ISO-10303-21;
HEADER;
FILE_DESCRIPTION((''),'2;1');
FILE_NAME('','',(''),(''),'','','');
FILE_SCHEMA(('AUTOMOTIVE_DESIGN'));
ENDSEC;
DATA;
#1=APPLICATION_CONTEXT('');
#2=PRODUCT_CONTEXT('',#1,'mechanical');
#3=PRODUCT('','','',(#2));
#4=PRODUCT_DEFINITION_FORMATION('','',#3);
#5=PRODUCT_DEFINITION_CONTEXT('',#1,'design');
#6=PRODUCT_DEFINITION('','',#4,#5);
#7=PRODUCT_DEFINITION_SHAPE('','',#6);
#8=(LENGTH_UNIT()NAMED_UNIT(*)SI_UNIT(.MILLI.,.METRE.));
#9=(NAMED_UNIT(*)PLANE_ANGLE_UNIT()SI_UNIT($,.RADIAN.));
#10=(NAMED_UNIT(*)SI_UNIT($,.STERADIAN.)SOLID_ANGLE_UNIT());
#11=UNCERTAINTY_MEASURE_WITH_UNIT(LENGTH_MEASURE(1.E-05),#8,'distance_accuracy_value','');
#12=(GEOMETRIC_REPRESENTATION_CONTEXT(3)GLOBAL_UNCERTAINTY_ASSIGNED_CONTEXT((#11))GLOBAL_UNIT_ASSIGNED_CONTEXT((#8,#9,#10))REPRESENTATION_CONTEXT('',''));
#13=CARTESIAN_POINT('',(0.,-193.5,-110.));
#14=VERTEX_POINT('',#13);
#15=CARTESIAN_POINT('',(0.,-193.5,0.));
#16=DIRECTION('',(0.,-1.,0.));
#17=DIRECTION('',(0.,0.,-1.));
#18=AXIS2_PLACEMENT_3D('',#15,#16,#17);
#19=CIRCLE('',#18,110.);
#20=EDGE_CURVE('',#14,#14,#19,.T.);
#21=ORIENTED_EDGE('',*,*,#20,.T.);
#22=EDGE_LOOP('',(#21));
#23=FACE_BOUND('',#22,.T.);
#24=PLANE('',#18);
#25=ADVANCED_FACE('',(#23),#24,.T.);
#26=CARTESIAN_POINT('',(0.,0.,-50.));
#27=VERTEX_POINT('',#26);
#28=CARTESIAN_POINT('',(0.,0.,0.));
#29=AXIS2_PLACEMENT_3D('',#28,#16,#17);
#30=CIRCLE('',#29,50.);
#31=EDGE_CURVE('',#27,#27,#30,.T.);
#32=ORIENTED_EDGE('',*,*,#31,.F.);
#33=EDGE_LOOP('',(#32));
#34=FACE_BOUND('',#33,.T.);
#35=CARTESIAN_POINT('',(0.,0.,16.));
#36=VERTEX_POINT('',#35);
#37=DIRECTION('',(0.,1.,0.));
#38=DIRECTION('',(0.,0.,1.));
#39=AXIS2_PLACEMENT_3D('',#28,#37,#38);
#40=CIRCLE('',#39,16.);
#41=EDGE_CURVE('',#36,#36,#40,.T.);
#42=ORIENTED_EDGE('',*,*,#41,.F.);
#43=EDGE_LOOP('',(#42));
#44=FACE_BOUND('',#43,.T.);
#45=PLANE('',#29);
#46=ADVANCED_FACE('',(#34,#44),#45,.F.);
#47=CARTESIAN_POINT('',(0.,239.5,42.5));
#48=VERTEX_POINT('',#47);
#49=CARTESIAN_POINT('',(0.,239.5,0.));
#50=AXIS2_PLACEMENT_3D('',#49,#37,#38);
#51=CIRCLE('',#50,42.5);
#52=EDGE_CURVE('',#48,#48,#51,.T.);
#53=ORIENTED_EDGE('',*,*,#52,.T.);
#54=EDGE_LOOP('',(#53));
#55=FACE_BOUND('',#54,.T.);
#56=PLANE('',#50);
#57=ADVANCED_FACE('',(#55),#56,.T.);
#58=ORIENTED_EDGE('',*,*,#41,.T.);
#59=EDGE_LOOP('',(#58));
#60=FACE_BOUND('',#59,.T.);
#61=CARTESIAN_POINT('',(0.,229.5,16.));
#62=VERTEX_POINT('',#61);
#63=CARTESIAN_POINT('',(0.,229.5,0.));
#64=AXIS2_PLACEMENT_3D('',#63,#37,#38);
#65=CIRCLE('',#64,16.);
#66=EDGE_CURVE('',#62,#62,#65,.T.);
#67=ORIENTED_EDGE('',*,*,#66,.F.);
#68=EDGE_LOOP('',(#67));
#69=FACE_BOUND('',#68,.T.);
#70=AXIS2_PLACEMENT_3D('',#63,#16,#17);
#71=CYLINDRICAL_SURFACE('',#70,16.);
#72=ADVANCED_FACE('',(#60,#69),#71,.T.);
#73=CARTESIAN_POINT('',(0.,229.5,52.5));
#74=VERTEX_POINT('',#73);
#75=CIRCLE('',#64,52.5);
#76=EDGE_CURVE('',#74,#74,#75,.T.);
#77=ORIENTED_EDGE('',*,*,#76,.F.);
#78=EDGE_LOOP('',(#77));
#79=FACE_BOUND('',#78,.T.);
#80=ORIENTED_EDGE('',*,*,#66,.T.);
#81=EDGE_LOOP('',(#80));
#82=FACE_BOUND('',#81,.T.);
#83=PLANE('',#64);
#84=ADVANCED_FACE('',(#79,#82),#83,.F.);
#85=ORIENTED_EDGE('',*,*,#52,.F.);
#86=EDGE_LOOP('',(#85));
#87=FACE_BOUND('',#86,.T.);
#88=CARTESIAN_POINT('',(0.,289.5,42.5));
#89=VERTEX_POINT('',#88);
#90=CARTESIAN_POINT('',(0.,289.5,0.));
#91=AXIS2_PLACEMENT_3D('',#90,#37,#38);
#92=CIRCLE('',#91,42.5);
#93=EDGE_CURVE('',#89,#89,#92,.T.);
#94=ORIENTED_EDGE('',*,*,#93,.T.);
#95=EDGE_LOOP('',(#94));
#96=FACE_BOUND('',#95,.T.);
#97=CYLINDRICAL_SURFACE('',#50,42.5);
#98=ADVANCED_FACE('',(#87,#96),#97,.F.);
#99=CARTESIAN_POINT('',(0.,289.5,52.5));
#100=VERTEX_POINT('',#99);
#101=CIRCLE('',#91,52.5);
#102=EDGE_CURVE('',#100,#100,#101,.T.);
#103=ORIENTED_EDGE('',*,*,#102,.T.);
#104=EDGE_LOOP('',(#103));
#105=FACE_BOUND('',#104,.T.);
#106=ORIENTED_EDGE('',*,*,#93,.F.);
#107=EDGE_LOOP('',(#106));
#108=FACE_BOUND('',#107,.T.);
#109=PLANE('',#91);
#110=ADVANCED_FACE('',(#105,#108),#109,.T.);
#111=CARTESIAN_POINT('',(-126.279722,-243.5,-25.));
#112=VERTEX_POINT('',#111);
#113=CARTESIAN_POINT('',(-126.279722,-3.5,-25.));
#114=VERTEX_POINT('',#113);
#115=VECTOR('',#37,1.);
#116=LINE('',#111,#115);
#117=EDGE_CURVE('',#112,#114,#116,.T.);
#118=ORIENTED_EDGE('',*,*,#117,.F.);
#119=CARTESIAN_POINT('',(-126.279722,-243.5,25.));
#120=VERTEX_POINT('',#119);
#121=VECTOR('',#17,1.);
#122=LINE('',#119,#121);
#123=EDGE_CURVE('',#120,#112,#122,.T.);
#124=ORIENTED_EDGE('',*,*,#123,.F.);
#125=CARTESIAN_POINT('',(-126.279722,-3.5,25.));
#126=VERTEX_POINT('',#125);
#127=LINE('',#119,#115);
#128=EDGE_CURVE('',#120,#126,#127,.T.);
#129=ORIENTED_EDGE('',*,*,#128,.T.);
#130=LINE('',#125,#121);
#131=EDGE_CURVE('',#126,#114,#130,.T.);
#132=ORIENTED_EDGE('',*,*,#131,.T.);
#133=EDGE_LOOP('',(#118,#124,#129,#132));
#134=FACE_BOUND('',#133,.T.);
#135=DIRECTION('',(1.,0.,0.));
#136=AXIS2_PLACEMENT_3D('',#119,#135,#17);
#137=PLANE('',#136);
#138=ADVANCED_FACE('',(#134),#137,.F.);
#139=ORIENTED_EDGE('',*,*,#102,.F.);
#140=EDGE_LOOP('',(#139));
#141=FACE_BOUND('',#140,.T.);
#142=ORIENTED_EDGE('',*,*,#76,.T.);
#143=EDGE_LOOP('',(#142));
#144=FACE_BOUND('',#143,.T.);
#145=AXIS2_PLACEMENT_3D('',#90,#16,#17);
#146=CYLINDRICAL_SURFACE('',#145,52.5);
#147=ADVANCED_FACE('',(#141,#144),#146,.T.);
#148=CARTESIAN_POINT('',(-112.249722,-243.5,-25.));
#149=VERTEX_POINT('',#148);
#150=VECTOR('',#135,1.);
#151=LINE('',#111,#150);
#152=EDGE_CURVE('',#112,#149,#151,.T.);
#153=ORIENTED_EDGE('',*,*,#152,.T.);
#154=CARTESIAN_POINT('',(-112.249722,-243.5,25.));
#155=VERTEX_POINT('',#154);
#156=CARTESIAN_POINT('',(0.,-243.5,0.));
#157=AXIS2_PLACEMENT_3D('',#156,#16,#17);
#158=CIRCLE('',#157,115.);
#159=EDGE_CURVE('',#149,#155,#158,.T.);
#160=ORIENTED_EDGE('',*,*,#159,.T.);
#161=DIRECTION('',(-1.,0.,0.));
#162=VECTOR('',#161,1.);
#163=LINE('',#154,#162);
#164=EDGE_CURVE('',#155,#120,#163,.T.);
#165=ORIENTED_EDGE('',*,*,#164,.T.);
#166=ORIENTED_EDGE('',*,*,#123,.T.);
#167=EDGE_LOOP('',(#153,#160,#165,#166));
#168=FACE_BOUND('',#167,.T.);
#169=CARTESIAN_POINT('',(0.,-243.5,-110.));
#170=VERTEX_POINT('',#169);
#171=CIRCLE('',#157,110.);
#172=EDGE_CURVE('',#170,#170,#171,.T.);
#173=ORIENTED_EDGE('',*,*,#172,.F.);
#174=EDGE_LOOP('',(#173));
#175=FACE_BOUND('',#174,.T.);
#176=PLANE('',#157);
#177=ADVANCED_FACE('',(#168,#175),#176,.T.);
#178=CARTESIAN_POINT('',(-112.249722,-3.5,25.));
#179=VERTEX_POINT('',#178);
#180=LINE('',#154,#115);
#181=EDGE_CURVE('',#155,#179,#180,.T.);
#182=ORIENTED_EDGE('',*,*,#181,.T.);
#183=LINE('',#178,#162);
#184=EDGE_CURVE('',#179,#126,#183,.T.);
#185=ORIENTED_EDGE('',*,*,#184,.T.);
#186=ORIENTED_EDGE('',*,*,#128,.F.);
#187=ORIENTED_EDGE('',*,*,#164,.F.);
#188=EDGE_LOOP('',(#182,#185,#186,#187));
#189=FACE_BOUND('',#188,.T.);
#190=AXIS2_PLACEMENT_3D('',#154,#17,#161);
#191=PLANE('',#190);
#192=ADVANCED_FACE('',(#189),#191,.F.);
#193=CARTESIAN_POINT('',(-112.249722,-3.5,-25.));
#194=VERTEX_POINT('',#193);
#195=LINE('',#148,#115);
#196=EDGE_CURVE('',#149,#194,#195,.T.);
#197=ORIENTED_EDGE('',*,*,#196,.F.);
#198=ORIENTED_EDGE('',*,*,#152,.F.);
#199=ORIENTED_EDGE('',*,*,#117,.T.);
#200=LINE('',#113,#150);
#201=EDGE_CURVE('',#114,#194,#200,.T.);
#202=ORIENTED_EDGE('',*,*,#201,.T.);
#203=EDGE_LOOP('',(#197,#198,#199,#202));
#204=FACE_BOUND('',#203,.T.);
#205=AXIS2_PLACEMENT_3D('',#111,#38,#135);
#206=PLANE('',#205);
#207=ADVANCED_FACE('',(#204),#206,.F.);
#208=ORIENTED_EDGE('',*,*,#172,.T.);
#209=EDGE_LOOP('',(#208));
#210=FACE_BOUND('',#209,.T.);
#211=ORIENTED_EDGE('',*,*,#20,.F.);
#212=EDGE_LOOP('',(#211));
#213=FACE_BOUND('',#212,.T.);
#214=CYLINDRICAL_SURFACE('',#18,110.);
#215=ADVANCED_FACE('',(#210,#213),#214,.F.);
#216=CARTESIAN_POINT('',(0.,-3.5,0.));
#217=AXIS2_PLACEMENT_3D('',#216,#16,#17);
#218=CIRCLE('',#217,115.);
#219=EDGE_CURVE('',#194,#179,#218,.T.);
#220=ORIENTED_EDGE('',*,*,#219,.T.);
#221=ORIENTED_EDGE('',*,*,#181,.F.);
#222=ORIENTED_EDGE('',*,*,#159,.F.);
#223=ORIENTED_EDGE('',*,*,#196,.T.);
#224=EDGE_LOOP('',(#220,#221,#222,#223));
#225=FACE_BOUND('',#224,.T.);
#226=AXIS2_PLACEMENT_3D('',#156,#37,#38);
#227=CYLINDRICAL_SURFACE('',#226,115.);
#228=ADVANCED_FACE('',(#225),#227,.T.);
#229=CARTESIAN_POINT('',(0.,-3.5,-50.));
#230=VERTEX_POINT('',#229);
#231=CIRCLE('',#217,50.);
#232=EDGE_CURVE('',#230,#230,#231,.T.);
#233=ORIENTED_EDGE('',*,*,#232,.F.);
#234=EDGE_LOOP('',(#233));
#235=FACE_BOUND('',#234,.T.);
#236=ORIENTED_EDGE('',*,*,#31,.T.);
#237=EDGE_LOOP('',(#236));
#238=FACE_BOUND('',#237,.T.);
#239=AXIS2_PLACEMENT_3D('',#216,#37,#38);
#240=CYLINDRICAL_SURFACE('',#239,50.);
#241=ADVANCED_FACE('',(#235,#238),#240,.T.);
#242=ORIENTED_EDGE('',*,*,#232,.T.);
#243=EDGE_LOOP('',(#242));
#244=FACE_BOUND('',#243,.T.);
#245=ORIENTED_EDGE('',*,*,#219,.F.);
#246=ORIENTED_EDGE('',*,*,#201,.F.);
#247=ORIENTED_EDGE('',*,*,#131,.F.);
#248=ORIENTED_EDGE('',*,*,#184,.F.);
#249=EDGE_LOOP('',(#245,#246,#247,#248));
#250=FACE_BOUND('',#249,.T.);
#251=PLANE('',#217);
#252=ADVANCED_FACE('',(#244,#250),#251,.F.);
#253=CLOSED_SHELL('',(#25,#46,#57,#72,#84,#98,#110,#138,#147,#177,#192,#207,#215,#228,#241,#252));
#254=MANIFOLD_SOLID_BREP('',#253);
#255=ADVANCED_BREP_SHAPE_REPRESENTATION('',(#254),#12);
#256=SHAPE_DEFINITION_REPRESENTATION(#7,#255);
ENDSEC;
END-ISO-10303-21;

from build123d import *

# Parameters (mm, degrees)
SKETCH1_R           = 16
BOSS_EXTRUDE1_DEPTH = 229.5
SKETCH2_R           = 52.5
BOSS_EXTRUDE2_DEPTH = 60
SKETCH3_R           = 42.5
CUT_EXTRUDE1_DEPTH  = 50
SKETCH6_R           = 50
BOSS_EXTRUDE4_DEPTH = 3.5
BOSS_EXTRUDE5_DEPTH = 240
SKETCH8_R           = 110
CUT_EXTRUDE3_DEPTH  = 50


with BuildPart() as part:
    # Sketch1 → Boss-Extrude1 (new body)
    with BuildSketch(Plane(origin=(0, 0, 0), x_dir=(1, 0, 0), z_dir=(0, 1, 0))):
        Circle(SKETCH1_R)
    extrude(amount=BOSS_EXTRUDE1_DEPTH)

    # Sketch2 → Boss-Extrude2 (add)
    with BuildSketch(Plane(origin=(0, 229.5, 0), x_dir=(1, 0, 0), z_dir=(0, 1, 0))):
        Circle(SKETCH2_R)
    extrude(amount=BOSS_EXTRUDE2_DEPTH)

    # Sketch3 → Cut-Extrude1 (cut)
    with BuildSketch(Plane(origin=(0, 289.5, 0), x_dir=(1, 0, 0), z_dir=(0, 1, 0))):
        Circle(SKETCH3_R)
    extrude(amount=-CUT_EXTRUDE1_DEPTH, mode=Mode.SUBTRACT)

    # Sketch6 → Boss-Extrude4 (add)
    with BuildSketch(Plane.XZ):
        Circle(SKETCH6_R)
    extrude(amount=BOSS_EXTRUDE4_DEPTH)

    # Sketch7 → Boss-Extrude5 (add)
    with BuildSketch(Plane.XZ.offset(3.5)):
        with BuildLine():
            Line((-126.279721603, -25), (-112.249721603, -25))
            ThreePointArc((-112.249721603, -25), (115, 0), (-112.249721603, 25))
            Line((-112.249721603, 25), (-126.279721603, 25))
            Line((-126.279721603, 25), (-126.279721603, -25))
        make_face()
    extrude(amount=BOSS_EXTRUDE5_DEPTH)

    # Sketch8 → Cut-Extrude3 (cut)
    with BuildSketch(Plane.XZ.offset(243.5)):
        Circle(SKETCH8_R)
    extrude(amount=-CUT_EXTRUDE3_DEPTH, mode=Mode.SUBTRACT)


solid = part.part
